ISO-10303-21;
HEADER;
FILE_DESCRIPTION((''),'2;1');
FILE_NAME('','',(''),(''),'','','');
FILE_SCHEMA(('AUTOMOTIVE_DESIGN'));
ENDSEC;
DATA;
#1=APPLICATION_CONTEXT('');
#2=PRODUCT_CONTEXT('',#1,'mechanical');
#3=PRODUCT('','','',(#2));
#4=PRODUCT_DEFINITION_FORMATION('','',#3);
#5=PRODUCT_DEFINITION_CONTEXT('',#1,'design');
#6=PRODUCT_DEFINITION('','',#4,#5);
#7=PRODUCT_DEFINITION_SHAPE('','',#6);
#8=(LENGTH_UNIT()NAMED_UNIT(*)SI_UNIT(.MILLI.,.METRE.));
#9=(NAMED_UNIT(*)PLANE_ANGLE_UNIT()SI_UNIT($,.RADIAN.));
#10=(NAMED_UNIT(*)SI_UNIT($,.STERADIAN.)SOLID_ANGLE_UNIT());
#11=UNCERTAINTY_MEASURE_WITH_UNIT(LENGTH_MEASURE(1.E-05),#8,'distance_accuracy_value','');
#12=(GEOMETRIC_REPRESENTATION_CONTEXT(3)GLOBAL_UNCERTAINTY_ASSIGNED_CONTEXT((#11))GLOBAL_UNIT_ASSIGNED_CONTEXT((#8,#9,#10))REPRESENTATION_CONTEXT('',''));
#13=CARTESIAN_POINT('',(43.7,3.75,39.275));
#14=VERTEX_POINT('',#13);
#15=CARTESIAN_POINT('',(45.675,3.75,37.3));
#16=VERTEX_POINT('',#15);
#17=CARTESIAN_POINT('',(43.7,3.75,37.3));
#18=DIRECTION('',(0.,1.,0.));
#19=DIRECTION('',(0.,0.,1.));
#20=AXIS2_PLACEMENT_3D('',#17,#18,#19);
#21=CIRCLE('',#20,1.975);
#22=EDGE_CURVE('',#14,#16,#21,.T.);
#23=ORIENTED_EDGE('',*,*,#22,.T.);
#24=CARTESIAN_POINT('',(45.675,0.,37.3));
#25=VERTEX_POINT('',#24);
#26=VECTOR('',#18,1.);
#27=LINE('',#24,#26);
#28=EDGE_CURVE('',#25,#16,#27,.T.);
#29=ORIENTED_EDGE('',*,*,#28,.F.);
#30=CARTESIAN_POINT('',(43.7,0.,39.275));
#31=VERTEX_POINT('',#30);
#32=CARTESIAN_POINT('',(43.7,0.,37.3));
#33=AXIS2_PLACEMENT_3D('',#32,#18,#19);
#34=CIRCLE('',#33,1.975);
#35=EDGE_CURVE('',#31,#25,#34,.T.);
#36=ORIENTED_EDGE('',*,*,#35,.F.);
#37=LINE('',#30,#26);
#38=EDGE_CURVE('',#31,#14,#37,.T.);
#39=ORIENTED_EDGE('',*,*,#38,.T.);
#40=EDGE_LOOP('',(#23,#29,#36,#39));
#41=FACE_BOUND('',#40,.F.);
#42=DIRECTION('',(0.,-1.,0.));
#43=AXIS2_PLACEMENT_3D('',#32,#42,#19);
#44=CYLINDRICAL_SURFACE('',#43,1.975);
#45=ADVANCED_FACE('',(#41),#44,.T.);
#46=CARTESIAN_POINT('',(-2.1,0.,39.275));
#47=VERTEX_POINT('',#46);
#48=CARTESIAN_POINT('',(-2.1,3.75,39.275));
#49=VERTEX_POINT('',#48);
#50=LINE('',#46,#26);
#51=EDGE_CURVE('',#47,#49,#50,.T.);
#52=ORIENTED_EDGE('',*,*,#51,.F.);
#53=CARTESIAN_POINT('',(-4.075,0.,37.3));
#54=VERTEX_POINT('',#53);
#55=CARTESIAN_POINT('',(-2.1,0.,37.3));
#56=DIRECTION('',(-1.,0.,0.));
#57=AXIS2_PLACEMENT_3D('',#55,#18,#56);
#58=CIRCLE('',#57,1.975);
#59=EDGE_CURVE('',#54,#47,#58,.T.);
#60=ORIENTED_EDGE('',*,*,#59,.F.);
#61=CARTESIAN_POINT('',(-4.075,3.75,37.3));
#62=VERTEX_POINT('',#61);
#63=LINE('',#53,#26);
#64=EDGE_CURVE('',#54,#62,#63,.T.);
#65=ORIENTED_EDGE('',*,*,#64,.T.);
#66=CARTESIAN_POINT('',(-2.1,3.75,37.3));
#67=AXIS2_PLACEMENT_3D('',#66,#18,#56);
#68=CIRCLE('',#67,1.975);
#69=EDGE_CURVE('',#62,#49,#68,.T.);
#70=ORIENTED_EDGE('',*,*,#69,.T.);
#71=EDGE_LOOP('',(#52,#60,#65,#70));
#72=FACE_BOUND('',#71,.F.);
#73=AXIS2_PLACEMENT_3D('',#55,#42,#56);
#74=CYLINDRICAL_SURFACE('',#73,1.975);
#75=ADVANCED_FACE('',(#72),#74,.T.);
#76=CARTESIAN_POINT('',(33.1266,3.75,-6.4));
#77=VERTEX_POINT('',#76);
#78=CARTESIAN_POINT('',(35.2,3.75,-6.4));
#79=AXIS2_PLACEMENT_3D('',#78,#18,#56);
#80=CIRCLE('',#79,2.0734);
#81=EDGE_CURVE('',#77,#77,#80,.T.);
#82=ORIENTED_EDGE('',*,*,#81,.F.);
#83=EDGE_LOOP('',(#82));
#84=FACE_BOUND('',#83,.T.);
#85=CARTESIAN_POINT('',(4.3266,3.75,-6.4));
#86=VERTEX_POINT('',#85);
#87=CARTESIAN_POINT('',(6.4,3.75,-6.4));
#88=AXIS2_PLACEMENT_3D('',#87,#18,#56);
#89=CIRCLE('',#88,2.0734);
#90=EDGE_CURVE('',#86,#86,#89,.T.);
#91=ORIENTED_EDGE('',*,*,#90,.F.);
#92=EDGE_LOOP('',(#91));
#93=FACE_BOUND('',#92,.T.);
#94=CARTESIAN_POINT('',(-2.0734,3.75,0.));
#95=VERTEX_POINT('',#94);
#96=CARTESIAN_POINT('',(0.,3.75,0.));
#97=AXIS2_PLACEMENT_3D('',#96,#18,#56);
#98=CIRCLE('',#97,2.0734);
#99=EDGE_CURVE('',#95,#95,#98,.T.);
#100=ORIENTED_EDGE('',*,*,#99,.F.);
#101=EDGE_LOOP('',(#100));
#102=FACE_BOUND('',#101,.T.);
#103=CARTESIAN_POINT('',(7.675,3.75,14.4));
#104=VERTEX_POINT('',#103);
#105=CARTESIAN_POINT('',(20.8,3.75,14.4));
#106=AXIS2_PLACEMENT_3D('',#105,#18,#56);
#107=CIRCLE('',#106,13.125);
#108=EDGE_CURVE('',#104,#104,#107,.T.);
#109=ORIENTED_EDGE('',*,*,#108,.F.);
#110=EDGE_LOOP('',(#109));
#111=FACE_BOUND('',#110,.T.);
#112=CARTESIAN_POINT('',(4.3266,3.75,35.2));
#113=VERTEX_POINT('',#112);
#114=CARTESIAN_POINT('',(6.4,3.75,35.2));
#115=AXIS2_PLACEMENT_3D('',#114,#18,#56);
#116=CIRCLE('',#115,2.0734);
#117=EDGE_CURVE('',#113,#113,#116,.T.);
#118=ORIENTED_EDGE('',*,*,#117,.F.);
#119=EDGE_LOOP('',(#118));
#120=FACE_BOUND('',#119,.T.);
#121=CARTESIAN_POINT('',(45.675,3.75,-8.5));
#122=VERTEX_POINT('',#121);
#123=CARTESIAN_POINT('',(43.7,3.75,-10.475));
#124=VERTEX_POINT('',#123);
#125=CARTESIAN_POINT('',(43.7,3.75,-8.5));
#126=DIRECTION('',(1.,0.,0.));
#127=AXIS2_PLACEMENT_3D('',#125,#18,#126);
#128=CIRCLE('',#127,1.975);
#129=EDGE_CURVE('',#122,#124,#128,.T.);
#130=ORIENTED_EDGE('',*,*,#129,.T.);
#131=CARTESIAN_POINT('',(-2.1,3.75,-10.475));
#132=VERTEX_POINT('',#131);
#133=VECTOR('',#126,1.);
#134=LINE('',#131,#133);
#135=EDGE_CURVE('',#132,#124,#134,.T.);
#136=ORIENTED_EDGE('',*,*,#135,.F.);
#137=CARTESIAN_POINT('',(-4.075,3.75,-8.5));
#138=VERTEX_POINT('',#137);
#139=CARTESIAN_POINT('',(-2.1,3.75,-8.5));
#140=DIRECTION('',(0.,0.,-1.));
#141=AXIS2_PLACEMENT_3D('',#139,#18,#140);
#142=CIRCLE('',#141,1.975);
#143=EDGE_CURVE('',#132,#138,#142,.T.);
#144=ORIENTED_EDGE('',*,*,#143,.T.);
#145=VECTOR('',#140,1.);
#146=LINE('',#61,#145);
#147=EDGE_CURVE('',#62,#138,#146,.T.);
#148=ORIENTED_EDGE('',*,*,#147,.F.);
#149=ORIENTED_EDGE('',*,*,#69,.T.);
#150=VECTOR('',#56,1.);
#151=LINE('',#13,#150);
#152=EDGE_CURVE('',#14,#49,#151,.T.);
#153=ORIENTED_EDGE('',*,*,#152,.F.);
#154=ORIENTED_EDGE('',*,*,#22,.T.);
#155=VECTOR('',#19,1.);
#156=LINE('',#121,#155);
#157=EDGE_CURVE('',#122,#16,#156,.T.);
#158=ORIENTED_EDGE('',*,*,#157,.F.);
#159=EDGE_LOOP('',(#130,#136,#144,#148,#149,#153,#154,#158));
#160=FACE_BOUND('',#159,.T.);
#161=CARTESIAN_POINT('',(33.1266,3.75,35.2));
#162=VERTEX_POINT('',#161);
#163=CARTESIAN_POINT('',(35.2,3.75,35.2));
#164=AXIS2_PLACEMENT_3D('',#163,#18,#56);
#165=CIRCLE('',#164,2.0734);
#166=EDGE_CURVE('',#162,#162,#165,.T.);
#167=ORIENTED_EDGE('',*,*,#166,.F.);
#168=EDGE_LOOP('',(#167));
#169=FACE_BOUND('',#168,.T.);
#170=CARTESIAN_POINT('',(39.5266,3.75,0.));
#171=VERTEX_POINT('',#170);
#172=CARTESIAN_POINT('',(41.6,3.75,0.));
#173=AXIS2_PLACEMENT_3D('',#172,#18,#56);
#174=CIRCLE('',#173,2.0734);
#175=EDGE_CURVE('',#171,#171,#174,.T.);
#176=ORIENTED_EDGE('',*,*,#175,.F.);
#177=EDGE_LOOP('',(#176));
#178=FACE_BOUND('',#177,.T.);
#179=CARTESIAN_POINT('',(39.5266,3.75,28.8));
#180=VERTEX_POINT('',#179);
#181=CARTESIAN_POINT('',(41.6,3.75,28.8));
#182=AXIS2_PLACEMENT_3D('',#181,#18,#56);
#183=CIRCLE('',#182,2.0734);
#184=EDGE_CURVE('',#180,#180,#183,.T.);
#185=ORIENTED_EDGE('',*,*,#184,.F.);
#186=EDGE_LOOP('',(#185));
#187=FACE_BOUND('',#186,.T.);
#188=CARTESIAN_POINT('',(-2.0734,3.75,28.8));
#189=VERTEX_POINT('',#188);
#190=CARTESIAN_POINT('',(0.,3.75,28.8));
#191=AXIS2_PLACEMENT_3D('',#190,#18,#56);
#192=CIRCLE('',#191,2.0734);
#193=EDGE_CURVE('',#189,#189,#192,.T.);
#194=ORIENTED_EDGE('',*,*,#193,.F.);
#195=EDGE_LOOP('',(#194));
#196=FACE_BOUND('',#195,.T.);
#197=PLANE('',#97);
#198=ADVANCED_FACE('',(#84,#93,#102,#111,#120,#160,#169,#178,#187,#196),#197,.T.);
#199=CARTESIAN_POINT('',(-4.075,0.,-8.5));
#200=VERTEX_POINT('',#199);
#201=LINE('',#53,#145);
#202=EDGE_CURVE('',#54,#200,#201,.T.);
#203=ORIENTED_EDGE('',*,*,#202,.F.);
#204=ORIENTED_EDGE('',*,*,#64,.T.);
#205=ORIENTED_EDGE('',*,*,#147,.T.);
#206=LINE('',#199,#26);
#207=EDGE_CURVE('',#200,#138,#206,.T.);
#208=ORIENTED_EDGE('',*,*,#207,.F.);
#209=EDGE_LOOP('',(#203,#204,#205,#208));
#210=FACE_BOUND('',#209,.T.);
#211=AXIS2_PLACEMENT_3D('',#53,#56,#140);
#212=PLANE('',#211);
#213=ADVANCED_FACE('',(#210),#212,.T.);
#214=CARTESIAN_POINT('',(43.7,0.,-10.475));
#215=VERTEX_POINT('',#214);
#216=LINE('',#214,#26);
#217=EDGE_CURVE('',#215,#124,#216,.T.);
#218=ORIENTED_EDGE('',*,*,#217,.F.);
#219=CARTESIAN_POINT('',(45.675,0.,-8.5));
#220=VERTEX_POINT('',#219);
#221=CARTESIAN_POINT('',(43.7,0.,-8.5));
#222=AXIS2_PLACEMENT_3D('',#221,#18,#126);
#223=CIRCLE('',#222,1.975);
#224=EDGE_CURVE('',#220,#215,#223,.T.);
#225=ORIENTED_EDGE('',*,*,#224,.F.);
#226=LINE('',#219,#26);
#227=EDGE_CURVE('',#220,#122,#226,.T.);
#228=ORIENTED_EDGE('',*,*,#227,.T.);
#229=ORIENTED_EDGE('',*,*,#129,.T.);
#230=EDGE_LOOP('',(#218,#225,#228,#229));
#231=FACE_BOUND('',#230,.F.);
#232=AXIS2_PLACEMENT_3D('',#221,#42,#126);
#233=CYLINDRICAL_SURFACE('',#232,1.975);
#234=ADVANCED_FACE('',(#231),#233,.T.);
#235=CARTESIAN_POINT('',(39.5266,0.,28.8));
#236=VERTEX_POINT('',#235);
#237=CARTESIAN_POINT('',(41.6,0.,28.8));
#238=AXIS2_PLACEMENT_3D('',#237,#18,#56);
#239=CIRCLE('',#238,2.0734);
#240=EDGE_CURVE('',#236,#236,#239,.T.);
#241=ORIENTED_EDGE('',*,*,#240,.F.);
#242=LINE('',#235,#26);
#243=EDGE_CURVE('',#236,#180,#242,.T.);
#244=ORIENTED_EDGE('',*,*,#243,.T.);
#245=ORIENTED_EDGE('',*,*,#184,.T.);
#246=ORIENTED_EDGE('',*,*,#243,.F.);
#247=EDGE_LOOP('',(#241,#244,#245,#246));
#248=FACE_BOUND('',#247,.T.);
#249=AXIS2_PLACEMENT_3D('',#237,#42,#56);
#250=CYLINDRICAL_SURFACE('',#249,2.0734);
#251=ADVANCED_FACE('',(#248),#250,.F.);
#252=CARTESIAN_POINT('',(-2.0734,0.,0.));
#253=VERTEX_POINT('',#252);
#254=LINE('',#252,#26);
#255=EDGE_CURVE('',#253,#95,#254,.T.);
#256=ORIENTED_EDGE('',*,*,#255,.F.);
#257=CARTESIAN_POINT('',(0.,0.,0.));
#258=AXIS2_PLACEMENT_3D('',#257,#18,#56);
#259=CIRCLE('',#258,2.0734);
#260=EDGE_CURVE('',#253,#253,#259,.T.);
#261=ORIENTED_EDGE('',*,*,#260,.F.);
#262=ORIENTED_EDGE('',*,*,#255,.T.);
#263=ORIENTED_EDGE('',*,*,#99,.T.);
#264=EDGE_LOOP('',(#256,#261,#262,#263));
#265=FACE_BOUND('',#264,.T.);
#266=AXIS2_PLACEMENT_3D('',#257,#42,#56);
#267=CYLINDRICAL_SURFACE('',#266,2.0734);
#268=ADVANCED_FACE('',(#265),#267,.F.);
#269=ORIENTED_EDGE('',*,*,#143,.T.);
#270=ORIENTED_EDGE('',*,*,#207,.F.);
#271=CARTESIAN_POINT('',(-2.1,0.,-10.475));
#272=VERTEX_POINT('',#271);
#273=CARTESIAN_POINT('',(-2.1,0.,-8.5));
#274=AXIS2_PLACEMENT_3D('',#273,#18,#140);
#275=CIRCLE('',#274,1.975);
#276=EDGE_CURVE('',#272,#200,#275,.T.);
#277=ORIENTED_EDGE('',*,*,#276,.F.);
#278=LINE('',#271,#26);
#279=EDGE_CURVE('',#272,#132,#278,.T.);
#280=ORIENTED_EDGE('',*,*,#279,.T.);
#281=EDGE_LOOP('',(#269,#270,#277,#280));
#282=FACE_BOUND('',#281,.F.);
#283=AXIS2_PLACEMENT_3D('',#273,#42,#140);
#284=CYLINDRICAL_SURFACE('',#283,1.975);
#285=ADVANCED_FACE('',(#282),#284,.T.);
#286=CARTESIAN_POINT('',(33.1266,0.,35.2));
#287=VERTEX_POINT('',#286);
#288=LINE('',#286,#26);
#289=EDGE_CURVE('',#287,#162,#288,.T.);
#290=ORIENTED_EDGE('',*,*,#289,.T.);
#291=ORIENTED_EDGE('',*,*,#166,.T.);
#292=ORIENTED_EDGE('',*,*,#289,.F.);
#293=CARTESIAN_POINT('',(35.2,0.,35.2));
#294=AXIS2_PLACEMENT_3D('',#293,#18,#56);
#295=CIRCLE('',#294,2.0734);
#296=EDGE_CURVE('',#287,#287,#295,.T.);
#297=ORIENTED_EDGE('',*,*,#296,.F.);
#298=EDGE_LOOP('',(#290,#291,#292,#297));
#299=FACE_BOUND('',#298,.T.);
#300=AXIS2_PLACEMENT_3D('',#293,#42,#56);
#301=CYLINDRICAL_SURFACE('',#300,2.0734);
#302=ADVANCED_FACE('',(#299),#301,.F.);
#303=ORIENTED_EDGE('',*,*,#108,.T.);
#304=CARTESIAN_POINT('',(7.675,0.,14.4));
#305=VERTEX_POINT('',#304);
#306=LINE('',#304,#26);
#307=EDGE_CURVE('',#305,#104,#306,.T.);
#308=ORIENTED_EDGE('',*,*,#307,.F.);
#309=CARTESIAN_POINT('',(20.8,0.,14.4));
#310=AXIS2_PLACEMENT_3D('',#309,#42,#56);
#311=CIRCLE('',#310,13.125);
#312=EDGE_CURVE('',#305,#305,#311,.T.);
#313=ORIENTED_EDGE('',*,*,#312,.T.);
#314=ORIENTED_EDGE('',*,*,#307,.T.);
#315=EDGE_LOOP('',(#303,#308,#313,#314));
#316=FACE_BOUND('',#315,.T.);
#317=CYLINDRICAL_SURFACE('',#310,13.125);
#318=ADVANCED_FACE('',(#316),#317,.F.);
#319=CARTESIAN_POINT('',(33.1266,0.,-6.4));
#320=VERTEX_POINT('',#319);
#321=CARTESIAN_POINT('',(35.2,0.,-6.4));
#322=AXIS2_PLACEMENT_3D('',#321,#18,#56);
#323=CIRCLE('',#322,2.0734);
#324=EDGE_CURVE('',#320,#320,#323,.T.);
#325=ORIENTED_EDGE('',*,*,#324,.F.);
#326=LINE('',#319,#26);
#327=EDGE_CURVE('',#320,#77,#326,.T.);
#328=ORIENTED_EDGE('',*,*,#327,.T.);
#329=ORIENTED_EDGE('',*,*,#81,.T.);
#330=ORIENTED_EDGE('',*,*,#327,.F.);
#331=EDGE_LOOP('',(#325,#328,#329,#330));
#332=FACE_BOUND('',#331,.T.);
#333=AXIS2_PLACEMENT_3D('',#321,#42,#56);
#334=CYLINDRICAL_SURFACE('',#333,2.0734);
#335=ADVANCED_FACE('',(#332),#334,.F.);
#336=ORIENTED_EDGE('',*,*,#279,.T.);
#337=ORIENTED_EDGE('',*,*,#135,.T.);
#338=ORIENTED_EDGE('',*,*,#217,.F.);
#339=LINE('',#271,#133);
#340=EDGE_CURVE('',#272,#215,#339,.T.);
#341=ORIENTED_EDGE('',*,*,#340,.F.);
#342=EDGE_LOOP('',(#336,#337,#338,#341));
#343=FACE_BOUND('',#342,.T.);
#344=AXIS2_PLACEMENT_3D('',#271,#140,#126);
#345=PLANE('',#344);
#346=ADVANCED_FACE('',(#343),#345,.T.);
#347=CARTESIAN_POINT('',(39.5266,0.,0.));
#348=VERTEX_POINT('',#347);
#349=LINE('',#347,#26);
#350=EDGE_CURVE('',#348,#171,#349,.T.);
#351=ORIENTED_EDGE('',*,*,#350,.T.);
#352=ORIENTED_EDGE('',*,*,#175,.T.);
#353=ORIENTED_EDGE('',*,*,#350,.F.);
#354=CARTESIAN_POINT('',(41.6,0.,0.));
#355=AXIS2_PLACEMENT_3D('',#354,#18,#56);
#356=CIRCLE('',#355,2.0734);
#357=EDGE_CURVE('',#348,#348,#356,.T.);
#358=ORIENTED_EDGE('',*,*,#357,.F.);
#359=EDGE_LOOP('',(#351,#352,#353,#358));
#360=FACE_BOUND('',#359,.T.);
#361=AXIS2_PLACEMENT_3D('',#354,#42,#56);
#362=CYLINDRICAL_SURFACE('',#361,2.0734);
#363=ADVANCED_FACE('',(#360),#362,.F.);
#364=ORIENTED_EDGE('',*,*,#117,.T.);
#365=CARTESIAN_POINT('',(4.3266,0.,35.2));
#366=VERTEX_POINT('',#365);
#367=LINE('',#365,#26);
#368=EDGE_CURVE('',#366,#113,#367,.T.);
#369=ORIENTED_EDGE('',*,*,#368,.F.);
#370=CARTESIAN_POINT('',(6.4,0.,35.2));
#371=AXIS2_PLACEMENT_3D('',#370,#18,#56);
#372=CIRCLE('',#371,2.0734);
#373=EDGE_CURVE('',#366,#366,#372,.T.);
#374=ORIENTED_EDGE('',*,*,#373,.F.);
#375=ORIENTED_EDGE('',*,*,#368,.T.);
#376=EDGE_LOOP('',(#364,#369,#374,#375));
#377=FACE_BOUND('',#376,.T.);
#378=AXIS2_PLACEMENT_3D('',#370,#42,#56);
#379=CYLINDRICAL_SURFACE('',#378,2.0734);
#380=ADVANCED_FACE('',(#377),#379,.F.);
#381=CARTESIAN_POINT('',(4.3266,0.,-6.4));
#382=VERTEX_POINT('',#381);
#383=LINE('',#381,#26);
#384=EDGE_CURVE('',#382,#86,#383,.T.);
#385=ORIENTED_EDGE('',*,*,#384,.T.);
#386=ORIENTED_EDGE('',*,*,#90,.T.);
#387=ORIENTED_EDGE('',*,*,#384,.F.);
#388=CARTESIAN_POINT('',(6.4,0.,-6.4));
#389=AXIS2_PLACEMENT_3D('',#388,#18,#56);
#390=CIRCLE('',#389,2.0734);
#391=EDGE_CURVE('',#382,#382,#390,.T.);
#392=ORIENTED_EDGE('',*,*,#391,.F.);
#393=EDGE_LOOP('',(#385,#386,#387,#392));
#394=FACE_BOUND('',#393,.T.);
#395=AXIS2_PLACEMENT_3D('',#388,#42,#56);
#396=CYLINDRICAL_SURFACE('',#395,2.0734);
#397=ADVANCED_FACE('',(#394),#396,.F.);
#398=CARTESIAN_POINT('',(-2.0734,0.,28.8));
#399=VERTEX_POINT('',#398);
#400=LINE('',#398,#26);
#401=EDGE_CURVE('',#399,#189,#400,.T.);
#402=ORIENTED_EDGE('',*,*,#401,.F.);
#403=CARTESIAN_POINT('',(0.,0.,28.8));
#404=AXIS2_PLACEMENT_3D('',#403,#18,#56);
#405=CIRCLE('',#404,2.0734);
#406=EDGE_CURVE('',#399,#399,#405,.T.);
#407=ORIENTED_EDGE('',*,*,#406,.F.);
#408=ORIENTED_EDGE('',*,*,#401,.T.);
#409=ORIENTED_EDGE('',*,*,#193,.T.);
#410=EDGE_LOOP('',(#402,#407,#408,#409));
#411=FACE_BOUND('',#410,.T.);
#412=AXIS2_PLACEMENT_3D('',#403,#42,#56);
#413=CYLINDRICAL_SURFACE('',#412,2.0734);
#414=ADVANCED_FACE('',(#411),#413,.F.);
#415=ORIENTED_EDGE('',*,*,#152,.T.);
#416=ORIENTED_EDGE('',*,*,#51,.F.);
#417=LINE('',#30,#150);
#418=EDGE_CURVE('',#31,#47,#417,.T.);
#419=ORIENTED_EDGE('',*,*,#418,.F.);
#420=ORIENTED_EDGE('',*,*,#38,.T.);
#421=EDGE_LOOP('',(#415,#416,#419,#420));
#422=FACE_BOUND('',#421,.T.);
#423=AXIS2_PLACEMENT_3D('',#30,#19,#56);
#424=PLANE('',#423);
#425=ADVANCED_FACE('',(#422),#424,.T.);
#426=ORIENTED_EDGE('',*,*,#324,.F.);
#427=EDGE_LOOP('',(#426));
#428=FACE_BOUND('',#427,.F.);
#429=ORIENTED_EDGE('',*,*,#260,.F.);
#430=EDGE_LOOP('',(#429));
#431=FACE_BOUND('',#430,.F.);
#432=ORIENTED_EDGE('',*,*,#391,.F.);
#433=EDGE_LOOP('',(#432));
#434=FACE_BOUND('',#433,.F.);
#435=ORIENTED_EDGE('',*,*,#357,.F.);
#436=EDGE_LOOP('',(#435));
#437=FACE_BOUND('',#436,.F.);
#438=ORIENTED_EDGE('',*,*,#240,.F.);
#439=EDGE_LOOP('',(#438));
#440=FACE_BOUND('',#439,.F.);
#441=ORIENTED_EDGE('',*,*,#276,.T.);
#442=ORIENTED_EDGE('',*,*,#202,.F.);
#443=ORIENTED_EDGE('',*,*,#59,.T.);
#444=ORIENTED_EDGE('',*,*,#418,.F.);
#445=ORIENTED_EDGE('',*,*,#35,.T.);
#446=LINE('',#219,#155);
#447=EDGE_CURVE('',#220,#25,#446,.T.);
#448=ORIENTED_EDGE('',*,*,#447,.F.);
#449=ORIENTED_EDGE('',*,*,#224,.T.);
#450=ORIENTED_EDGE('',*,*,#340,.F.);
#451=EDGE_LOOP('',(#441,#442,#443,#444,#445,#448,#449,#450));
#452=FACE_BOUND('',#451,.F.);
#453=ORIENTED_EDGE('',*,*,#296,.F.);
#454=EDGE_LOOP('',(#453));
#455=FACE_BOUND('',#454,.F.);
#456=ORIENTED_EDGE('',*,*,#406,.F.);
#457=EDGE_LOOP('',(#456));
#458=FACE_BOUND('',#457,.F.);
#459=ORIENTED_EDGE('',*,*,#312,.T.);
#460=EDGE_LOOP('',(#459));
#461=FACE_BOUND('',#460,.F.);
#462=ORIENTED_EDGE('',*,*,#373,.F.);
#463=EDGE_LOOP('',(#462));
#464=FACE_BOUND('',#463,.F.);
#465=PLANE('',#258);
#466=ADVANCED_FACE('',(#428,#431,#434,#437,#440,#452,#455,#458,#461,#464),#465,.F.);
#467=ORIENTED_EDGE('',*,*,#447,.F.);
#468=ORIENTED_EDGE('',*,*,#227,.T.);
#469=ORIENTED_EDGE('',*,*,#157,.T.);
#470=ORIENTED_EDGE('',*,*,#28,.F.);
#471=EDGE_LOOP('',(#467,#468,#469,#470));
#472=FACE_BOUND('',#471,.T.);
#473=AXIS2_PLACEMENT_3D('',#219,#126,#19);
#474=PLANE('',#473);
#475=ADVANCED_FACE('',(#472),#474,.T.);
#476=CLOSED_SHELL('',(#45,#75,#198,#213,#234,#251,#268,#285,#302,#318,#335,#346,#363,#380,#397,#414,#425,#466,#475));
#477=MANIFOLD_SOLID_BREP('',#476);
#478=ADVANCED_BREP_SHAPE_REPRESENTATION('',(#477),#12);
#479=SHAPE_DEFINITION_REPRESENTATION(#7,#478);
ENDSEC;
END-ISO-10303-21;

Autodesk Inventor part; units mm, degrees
ref_plane "YZ Plane" through (0, 0, 0) normal (1, 0, 0) x (0, 1, 0)
ref_plane "XZ Plane" through (0, 0, 0) normal (0, 1, 0) x (-1, 0, 0)
ref_plane "XY Plane" through (0, 0, 0) normal (0, 0, 1) x (1, 0, 0)
sketch "Sketch1" plane through (0, 0, 0) normal (0, 1, 0) x (-1, 0, 0)
  circle A0 centre (-20.8, 14.4) radius 13.125
  circle A1 centre (-42.7, -7.5) radius 1.875 projected
  circle A2 centre (1.1, 36.3) radius 1.875 projected
  circle A3 centre (1.1, -7.5) radius 1.875 projected
  circle A4 centre (-42.7, 36.3) radius 1.875 projected
  circle A5 centre (-6.4, 35.2) radius 2.0734 projected
  circle A6 centre (-35.2, -6.4) radius 2.0734 projected
  circle A7 centre (-6.4, -6.4) radius 2.0734 projected
  circle A8 centre (0, 0) radius 2.0734 projected
  line L0 (-37.85, 31.45) -> (-37.85, -2.65) projected
  line L1 (-3.75, 31.45) -> (-37.85, 31.45) projected
  line L2 (-3.75, -2.65) -> (-3.75, 31.45) projected
  line L3 (-37.85, -2.65) -> (-3.75, -2.65) projected
  circle A9 centre (0, 28.8) radius 2.0734 projected
  circle A10 centre (-35.2, 35.2) radius 2.0734 projected
  circle A11 centre (-41.6, 0) radius 2.0734 projected
  circle A12 centre (-41.6, 28.8) radius 2.0734 projected
  line L4 (-43.7, 39.275) -> (2.1, 39.275) projected
  arc A13 (-43.7, 39.275) -> (-45.675, 37.3) centre (-43.7, 37.3) ccw projected
  line L5 (-45.675, -8.5) -> (-45.675, 37.3) projected
  arc A14 (-45.675, -8.5) -> (-43.7, -10.475) centre (-43.7, -8.5) ccw projected
  line L6 (2.1, -10.475) -> (-43.7, -10.475) projected
  arc A15 (2.1, -10.475) -> (4.075, -8.5) centre (2.1, -8.5) ccw projected
  line L7 (4.075, 37.3) -> (4.075, -8.5) projected
  arc A16 (4.075, 37.3) -> (2.1, 39.275) centre (2.1, 37.3) ccw projected
  line L8 (-3.75, 14.4) -> (-37.85, 14.4)
  dimension "d36" = 26.25
extrude "Extrusion1" add sketch "Sketch1" along normal blind 3.75 contours L8 L2 L3 L0 A0 | A0 L8 L0 L1 L2 | A1 | A2 | A3 | A4 | L4 A16 L7 A15 L6 A14 L5 A13
properties part number "Camera Mount Top"
